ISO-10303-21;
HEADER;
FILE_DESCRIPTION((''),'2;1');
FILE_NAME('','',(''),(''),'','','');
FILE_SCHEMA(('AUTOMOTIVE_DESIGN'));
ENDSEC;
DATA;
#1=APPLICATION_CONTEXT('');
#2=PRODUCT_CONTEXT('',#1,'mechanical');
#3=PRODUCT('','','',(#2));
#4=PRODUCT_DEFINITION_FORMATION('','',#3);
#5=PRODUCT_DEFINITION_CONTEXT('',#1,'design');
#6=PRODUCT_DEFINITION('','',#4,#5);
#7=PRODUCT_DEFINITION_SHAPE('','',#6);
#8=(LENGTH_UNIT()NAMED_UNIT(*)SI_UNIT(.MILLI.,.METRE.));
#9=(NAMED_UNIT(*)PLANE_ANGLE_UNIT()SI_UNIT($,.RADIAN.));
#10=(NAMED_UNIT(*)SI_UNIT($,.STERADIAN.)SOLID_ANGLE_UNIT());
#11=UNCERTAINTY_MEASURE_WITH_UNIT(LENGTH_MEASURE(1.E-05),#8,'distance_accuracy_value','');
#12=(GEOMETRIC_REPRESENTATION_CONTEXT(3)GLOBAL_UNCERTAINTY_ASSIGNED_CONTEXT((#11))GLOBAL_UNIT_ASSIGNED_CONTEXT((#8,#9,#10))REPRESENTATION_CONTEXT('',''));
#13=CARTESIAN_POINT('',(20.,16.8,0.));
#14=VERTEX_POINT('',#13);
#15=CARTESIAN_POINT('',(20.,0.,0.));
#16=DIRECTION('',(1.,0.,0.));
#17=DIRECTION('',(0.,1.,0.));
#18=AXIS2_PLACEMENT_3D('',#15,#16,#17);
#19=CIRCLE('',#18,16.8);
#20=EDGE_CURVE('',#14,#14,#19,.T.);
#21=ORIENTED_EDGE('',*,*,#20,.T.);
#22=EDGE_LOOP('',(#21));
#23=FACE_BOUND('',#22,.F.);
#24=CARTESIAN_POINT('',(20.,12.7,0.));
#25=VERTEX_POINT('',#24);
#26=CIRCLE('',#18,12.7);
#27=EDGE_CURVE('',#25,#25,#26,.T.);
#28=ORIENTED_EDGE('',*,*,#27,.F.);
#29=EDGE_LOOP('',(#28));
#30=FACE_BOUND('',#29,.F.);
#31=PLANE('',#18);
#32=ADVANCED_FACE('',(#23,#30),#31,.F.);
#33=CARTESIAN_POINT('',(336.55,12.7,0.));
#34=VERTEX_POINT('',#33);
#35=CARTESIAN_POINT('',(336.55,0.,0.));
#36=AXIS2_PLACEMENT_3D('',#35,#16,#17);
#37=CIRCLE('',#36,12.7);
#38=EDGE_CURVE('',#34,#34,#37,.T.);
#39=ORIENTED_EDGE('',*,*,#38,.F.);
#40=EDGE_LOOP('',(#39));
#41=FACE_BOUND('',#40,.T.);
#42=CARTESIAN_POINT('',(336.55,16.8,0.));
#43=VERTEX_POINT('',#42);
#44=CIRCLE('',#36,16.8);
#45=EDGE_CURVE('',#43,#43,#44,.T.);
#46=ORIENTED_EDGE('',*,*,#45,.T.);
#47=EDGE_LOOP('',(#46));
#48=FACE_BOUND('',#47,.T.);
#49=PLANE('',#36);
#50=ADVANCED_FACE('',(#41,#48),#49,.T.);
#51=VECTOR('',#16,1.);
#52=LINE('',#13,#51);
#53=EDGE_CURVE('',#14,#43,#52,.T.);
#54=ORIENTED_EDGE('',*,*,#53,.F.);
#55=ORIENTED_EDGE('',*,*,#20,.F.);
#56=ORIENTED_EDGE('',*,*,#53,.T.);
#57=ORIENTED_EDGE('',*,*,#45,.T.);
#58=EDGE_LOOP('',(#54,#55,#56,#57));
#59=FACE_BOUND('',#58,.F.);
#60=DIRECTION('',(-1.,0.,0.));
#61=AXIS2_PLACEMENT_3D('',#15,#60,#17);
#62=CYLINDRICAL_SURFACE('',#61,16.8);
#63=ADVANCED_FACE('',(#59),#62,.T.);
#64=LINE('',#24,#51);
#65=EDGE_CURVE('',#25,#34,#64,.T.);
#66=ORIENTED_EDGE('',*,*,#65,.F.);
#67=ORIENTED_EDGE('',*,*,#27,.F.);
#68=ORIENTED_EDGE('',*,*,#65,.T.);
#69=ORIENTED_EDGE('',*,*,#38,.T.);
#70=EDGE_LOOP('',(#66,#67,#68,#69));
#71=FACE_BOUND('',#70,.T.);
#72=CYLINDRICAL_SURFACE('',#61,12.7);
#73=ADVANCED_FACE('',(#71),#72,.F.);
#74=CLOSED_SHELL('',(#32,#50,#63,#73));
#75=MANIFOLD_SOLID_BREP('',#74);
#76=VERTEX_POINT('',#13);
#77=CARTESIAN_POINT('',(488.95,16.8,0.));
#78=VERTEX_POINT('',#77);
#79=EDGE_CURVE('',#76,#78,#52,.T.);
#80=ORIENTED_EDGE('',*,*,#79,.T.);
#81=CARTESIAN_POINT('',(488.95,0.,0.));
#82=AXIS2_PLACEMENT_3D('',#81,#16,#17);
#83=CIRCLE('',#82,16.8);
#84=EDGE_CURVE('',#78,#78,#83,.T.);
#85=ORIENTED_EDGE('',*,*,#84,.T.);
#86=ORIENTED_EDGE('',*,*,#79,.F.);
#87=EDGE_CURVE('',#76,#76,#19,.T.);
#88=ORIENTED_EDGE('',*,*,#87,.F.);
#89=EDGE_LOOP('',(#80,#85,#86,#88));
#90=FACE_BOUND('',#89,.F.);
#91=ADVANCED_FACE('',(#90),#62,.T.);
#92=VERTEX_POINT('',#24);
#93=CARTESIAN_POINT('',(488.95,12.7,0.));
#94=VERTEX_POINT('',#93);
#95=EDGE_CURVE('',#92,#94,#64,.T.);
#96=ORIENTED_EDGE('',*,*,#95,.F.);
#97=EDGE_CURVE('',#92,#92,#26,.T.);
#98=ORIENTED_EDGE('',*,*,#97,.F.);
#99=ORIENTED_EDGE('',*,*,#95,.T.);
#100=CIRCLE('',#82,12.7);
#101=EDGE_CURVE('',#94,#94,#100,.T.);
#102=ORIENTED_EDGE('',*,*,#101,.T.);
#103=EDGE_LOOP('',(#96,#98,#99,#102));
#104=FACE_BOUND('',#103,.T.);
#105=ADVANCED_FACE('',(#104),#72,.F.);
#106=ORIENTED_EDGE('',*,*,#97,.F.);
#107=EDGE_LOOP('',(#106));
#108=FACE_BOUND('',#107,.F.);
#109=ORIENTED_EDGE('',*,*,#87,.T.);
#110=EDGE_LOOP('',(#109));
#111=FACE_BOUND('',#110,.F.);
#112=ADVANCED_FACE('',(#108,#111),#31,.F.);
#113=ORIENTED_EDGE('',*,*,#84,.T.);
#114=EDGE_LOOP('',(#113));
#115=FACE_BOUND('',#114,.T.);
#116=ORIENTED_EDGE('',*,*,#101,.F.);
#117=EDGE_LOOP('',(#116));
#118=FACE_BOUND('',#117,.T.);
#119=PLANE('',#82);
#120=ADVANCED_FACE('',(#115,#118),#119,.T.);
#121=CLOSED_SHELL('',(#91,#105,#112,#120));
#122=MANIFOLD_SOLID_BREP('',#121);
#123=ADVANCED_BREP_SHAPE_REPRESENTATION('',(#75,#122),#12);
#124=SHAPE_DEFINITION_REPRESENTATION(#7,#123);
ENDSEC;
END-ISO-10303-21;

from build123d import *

# Parameters (mm, degrees)
F1_START = 20
F0_R     = 16.8
F0_R_2   = 12.7
F1_DEPTH = 468.95
F2_START = 20
F2_DEPTH = 316.55


with BuildPart() as f1:
    # F0 (on Right) → F1 (new body)
    with BuildSketch(Plane.YZ.offset(F1_START)):
        Circle(F0_R)
        Circle(F0_R_2, mode=Mode.SUBTRACT)
    extrude(amount=F1_DEPTH)


with BuildPart() as f2:
    # F0 (on Right) → F2 (new body)
    with BuildSketch(Plane.YZ.offset(F2_START)):
        Circle(F0_R)
        Circle(F0_R_2, mode=Mode.SUBTRACT)
    extrude(amount=F2_DEPTH)


solid = Compound([f1.part, f2.part])
